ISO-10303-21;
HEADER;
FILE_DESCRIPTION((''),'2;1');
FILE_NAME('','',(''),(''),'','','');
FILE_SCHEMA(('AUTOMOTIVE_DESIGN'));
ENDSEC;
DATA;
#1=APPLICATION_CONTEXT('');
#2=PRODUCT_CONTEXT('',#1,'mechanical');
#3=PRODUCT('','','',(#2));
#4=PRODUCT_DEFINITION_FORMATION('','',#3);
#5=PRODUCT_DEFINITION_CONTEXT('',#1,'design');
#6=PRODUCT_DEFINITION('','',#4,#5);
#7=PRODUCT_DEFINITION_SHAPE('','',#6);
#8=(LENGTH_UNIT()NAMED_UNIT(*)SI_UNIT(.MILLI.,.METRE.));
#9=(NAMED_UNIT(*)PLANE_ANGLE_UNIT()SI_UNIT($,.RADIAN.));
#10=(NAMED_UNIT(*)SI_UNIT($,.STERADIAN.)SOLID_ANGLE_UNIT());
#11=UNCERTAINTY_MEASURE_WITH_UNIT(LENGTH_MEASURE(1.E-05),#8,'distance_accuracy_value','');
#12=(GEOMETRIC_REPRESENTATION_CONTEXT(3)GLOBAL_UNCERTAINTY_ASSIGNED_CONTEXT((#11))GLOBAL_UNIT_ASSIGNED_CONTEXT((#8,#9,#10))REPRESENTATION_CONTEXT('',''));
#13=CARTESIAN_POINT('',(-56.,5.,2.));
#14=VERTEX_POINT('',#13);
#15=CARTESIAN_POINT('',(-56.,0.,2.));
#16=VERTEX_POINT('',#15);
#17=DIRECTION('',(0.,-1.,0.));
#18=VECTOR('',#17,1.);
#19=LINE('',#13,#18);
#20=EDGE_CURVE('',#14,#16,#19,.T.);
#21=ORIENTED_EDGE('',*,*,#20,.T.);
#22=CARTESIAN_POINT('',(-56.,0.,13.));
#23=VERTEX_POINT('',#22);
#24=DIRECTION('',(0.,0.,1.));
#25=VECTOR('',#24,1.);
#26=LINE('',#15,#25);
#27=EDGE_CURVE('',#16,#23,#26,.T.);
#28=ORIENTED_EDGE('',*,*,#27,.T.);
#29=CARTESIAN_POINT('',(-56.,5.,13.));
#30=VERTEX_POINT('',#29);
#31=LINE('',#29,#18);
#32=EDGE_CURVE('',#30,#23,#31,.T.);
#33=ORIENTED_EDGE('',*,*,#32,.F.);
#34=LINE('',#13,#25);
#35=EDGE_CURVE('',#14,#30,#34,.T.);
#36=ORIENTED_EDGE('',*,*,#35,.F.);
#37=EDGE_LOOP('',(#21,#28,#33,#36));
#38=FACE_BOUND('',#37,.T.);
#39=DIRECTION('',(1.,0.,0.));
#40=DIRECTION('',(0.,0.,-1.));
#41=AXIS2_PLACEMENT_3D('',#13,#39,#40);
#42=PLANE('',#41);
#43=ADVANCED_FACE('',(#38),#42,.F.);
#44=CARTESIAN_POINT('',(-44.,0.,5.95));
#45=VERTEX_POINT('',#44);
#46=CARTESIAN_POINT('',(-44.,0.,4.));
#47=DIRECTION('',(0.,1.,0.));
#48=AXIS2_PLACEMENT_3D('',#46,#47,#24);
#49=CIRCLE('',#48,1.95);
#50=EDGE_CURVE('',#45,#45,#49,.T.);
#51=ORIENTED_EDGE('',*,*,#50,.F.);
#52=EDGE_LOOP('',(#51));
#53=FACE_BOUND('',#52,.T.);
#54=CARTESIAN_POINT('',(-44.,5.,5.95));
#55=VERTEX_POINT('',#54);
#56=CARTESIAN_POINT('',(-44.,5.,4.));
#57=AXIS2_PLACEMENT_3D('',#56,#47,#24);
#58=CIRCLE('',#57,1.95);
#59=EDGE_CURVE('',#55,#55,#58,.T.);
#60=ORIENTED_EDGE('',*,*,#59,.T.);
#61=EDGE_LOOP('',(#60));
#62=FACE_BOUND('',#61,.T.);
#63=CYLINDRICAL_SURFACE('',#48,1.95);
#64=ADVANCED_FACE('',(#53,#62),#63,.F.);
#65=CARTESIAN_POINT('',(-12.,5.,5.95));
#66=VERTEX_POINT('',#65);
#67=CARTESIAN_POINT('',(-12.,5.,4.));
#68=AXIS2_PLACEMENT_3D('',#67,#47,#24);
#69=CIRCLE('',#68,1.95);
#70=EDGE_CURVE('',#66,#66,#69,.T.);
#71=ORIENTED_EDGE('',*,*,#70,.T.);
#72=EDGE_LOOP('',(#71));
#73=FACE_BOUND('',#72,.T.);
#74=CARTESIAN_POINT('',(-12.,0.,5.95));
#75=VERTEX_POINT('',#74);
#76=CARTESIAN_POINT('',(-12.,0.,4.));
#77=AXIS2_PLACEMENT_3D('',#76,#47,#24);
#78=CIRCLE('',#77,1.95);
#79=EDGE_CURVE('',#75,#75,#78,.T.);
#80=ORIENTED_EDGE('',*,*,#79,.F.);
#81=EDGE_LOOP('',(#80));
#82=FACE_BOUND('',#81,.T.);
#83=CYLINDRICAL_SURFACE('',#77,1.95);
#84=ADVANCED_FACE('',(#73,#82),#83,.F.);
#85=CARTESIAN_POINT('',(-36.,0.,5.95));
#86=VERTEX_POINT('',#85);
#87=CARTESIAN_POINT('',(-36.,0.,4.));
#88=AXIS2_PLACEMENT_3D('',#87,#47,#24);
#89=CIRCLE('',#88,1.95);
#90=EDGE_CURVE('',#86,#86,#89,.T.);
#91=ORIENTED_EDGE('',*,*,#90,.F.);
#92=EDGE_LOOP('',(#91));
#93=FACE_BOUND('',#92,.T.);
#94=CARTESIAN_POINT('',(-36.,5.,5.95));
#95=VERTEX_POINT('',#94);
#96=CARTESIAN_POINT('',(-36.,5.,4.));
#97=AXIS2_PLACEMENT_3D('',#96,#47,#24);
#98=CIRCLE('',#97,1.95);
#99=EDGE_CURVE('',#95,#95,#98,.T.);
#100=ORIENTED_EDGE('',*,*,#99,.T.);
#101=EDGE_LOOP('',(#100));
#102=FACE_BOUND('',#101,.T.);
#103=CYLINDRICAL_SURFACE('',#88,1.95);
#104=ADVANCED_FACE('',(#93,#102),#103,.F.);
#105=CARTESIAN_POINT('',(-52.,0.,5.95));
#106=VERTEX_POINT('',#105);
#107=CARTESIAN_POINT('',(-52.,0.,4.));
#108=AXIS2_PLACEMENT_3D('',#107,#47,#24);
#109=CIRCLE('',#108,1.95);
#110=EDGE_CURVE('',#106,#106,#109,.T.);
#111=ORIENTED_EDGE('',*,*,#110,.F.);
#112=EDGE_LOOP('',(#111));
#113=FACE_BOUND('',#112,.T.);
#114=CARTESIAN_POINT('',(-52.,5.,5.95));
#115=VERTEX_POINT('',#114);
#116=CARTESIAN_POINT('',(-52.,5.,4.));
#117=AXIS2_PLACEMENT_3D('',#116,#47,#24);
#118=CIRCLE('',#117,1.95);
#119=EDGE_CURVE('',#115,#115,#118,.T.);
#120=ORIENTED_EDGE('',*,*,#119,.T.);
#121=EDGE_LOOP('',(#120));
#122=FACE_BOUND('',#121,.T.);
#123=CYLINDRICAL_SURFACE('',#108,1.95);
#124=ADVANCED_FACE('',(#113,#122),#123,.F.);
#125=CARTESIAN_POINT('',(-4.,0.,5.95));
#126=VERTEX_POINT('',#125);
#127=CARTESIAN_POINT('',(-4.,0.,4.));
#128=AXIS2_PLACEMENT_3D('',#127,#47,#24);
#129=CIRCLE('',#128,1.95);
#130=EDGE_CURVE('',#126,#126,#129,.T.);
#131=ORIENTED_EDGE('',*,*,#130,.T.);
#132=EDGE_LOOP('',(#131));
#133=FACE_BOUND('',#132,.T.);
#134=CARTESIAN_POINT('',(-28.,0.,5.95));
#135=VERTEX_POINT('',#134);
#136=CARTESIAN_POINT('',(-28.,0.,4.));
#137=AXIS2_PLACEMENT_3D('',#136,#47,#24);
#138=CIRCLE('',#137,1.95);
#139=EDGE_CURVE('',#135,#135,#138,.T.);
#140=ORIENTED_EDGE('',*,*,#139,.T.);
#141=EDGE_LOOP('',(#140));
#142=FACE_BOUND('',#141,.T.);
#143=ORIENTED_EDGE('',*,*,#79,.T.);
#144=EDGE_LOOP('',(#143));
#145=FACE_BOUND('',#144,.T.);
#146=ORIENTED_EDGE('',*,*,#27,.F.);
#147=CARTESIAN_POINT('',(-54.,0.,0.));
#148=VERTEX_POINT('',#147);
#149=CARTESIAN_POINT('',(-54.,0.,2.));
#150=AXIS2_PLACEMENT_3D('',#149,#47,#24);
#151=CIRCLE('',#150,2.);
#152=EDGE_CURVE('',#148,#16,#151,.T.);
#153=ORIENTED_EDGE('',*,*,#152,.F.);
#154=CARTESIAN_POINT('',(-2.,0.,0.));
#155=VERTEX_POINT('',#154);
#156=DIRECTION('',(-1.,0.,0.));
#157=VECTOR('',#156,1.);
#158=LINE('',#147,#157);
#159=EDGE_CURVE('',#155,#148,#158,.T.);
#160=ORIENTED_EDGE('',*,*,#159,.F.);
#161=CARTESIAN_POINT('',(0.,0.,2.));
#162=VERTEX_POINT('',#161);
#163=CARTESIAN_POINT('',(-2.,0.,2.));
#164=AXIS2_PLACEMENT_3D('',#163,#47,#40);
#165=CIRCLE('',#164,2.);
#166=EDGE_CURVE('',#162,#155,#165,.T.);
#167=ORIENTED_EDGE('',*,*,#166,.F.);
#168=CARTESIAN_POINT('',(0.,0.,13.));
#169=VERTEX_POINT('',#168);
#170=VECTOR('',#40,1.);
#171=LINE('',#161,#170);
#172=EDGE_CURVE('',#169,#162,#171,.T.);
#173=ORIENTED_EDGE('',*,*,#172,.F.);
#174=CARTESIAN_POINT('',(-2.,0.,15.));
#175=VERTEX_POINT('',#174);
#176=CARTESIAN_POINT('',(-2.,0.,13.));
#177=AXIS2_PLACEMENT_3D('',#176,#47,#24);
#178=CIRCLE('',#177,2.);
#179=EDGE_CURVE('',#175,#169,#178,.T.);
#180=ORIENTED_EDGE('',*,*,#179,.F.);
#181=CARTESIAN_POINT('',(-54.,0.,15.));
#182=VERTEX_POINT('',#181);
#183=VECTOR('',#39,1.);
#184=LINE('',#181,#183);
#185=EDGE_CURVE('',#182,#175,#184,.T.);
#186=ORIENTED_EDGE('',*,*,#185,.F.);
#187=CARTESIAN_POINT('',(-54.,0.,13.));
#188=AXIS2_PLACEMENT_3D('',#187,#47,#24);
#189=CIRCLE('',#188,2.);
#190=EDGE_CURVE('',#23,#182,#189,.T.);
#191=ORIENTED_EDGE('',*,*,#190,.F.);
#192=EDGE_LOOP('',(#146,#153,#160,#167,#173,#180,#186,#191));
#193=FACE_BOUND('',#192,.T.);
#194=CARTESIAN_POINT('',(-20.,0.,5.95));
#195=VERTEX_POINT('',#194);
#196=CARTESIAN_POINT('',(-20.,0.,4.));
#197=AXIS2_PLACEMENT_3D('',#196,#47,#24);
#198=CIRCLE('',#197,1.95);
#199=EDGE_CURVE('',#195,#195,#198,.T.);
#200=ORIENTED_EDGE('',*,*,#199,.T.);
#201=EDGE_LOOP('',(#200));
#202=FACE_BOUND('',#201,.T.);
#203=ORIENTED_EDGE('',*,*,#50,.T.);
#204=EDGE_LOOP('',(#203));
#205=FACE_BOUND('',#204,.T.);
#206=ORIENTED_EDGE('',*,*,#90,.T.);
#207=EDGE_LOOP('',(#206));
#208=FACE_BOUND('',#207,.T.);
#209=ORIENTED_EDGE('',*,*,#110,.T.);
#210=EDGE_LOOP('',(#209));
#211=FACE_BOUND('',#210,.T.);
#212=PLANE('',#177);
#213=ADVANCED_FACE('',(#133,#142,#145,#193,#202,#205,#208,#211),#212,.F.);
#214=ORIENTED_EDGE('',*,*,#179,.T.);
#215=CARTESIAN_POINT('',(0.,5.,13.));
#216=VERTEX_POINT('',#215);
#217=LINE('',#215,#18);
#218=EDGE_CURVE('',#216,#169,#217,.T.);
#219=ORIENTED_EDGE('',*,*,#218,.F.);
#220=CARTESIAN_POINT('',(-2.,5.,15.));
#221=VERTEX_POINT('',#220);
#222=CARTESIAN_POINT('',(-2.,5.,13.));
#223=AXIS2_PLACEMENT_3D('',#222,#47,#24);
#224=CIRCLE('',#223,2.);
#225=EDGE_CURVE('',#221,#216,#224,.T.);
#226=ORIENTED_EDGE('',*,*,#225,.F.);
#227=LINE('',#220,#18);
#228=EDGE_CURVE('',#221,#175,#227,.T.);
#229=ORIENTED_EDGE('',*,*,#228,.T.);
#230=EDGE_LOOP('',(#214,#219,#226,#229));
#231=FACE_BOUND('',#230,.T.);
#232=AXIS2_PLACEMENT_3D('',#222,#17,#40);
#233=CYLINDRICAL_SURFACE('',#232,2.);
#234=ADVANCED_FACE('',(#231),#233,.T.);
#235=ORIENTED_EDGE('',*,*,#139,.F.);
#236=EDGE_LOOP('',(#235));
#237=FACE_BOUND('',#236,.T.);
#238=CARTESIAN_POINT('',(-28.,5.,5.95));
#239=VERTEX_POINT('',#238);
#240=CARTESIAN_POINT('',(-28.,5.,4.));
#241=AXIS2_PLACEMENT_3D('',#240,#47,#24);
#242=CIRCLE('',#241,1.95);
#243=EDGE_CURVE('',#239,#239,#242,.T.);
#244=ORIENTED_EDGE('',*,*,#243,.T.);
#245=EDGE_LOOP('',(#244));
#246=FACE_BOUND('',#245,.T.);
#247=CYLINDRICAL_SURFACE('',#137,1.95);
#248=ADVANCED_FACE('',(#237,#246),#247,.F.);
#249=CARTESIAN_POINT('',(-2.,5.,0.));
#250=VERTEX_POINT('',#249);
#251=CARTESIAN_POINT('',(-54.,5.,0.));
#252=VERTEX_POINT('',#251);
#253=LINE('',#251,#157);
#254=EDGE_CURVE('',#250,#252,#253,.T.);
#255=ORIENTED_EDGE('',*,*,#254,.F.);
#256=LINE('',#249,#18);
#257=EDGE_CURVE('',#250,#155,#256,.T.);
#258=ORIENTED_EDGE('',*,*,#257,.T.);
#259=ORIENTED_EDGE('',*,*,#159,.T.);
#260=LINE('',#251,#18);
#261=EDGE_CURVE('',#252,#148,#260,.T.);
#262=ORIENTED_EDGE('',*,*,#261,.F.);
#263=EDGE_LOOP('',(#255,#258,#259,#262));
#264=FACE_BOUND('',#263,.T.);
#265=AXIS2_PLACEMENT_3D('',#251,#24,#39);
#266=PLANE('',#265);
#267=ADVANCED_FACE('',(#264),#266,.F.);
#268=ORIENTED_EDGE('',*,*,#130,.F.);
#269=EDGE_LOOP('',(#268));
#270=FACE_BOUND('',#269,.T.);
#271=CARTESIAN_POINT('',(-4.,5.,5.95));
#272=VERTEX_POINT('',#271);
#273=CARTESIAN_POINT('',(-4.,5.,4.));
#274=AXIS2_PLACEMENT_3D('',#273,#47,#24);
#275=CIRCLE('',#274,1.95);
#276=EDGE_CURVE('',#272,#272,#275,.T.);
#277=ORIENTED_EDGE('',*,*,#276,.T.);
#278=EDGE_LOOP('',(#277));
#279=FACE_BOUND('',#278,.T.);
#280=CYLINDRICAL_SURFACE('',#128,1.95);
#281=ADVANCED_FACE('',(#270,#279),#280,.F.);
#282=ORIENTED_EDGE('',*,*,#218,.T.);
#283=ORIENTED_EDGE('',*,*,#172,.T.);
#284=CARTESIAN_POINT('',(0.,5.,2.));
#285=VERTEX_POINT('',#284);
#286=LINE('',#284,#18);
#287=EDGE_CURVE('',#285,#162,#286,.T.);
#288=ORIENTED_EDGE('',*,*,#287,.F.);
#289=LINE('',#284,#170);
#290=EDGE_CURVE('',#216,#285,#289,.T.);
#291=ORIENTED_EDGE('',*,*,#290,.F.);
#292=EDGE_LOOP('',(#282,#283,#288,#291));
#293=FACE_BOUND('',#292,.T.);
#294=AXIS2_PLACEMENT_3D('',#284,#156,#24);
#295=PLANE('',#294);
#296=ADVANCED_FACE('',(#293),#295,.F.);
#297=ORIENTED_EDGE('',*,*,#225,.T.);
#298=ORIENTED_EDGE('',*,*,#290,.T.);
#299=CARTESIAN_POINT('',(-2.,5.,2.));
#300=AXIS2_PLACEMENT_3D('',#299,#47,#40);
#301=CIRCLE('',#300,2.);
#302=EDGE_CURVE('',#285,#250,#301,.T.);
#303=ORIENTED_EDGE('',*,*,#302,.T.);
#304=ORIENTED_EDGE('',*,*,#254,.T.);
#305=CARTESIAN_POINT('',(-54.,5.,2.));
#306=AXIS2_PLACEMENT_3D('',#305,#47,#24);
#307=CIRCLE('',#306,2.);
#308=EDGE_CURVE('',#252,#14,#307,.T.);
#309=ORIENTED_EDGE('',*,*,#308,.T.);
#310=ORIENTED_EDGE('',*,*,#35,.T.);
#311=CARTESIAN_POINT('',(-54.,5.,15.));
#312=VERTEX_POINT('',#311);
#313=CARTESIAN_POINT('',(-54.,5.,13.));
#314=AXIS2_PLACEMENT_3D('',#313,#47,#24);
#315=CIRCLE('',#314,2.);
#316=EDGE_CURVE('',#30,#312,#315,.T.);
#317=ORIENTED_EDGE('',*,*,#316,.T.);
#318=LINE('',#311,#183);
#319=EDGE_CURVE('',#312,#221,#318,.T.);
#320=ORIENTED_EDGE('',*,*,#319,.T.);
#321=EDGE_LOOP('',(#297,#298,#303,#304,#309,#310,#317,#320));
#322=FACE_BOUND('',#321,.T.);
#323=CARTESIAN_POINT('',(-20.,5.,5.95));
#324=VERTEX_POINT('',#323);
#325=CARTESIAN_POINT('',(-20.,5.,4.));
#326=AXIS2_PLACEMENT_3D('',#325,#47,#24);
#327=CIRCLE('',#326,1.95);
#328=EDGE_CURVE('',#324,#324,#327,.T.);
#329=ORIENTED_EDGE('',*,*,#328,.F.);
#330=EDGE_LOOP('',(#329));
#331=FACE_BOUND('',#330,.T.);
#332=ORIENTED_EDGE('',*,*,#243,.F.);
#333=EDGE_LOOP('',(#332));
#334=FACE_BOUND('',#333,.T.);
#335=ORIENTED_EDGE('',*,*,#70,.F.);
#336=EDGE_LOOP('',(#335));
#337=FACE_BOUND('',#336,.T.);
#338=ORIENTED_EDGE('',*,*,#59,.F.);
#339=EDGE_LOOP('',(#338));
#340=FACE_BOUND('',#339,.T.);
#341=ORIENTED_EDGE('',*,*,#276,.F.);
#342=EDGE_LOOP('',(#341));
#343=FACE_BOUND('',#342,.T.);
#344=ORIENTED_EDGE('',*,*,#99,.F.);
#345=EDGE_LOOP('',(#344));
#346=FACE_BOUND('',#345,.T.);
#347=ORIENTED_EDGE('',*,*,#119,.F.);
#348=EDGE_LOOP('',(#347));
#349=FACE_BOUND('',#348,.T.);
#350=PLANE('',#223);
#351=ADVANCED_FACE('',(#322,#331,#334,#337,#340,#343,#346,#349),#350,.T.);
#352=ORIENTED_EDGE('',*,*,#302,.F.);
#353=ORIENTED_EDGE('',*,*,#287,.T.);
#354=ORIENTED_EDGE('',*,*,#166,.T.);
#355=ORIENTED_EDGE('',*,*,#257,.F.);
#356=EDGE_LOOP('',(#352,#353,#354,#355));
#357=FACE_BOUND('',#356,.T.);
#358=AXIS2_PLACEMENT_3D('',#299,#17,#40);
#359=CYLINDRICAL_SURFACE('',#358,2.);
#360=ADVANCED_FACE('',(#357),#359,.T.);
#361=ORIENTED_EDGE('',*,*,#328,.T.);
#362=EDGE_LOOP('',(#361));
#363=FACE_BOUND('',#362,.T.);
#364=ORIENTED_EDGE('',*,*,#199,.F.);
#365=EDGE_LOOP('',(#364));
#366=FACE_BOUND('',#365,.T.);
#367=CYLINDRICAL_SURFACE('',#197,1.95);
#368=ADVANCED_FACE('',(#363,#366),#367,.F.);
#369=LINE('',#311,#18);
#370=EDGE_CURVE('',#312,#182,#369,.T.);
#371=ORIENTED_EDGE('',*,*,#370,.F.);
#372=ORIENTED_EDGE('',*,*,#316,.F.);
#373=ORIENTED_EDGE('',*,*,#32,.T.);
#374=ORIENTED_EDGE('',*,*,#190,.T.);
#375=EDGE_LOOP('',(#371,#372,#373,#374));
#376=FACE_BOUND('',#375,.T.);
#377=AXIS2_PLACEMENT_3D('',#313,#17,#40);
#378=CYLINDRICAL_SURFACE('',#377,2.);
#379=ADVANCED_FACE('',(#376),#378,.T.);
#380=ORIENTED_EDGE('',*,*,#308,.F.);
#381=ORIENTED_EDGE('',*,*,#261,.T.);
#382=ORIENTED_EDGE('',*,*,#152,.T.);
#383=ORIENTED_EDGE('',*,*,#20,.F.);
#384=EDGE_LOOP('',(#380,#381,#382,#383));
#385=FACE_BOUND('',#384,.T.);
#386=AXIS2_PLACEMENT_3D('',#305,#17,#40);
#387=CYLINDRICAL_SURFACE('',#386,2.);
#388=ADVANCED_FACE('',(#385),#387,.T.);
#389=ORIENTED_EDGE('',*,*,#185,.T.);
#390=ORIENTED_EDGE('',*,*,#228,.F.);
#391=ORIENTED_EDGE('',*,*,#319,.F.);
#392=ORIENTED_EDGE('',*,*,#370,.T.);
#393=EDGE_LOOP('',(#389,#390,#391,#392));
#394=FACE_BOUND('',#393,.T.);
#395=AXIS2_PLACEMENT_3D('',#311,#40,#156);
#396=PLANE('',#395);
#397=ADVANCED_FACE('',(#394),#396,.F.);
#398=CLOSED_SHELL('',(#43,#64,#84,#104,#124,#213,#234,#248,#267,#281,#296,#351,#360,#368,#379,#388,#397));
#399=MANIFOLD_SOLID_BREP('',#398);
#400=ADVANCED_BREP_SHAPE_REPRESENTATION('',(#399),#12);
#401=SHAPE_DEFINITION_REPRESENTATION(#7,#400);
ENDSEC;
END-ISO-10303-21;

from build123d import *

# Parameters (mm, degrees)
BOSS_EXTRUDE1_DEPTH = 5
SKETCH2_R           = 1.95
CUT_EXTRUDE1_DEPTH  = 6


with BuildPart() as part:
    # Sketch1 → Boss-Extrude1 (new body)
    with BuildSketch(Plane(origin=(0, 0, 0), x_dir=(1, 0, 0), z_dir=(0, 1, 0))):
        with BuildLine():
            Line((-54, 0), (-2, 0))
            ThreePointArc((-2, 0), (-0.585786438, -0.585786438), (0, -2))
            Line((0, -2), (0, -13))
            ThreePointArc((0, -13), (-0.585786438, -14.414213562), (-2, -15))
            Line((-2, -15), (-54, -15))
            ThreePointArc((-54, -15), (-55.414213562, -14.414213562), (-56, -13))
            Line((-56, -13), (-56, -2))
            ThreePointArc((-56, -2), (-55.414213562, -0.585786438), (-54, 0))
        make_face()
    extrude(amount=BOSS_EXTRUDE1_DEPTH)

    # Sketch2 → Cut-Extrude1 (cut, through all)
    with BuildSketch(Plane(origin=(0, 5, 0), x_dir=(1, 0, 0), z_dir=(0, 1, 0))):
        with Locations((-4, -4)):
            Circle(SKETCH2_R)
        with Locations((-12, -4)):
            Circle(SKETCH2_R)
        with Locations((-76, -4)):
            Circle(SKETCH2_R)
        with Locations((-68, -4)):
            Circle(SKETCH2_R)
        with Locations((-60, -4)):
            Circle(SKETCH2_R)
        with Locations((-52, -4)):
            Circle(SKETCH2_R)
        with Locations((-44, -4)):
            Circle(SKETCH2_R)
        with Locations((-36, -4)):
            Circle(SKETCH2_R)
        with Locations((-28, -4)):
            Circle(SKETCH2_R)
        with Locations((-20, -4)):
            Circle(SKETCH2_R)
    extrude(amount=-CUT_EXTRUDE1_DEPTH, mode=Mode.SUBTRACT)


solid = part.part
